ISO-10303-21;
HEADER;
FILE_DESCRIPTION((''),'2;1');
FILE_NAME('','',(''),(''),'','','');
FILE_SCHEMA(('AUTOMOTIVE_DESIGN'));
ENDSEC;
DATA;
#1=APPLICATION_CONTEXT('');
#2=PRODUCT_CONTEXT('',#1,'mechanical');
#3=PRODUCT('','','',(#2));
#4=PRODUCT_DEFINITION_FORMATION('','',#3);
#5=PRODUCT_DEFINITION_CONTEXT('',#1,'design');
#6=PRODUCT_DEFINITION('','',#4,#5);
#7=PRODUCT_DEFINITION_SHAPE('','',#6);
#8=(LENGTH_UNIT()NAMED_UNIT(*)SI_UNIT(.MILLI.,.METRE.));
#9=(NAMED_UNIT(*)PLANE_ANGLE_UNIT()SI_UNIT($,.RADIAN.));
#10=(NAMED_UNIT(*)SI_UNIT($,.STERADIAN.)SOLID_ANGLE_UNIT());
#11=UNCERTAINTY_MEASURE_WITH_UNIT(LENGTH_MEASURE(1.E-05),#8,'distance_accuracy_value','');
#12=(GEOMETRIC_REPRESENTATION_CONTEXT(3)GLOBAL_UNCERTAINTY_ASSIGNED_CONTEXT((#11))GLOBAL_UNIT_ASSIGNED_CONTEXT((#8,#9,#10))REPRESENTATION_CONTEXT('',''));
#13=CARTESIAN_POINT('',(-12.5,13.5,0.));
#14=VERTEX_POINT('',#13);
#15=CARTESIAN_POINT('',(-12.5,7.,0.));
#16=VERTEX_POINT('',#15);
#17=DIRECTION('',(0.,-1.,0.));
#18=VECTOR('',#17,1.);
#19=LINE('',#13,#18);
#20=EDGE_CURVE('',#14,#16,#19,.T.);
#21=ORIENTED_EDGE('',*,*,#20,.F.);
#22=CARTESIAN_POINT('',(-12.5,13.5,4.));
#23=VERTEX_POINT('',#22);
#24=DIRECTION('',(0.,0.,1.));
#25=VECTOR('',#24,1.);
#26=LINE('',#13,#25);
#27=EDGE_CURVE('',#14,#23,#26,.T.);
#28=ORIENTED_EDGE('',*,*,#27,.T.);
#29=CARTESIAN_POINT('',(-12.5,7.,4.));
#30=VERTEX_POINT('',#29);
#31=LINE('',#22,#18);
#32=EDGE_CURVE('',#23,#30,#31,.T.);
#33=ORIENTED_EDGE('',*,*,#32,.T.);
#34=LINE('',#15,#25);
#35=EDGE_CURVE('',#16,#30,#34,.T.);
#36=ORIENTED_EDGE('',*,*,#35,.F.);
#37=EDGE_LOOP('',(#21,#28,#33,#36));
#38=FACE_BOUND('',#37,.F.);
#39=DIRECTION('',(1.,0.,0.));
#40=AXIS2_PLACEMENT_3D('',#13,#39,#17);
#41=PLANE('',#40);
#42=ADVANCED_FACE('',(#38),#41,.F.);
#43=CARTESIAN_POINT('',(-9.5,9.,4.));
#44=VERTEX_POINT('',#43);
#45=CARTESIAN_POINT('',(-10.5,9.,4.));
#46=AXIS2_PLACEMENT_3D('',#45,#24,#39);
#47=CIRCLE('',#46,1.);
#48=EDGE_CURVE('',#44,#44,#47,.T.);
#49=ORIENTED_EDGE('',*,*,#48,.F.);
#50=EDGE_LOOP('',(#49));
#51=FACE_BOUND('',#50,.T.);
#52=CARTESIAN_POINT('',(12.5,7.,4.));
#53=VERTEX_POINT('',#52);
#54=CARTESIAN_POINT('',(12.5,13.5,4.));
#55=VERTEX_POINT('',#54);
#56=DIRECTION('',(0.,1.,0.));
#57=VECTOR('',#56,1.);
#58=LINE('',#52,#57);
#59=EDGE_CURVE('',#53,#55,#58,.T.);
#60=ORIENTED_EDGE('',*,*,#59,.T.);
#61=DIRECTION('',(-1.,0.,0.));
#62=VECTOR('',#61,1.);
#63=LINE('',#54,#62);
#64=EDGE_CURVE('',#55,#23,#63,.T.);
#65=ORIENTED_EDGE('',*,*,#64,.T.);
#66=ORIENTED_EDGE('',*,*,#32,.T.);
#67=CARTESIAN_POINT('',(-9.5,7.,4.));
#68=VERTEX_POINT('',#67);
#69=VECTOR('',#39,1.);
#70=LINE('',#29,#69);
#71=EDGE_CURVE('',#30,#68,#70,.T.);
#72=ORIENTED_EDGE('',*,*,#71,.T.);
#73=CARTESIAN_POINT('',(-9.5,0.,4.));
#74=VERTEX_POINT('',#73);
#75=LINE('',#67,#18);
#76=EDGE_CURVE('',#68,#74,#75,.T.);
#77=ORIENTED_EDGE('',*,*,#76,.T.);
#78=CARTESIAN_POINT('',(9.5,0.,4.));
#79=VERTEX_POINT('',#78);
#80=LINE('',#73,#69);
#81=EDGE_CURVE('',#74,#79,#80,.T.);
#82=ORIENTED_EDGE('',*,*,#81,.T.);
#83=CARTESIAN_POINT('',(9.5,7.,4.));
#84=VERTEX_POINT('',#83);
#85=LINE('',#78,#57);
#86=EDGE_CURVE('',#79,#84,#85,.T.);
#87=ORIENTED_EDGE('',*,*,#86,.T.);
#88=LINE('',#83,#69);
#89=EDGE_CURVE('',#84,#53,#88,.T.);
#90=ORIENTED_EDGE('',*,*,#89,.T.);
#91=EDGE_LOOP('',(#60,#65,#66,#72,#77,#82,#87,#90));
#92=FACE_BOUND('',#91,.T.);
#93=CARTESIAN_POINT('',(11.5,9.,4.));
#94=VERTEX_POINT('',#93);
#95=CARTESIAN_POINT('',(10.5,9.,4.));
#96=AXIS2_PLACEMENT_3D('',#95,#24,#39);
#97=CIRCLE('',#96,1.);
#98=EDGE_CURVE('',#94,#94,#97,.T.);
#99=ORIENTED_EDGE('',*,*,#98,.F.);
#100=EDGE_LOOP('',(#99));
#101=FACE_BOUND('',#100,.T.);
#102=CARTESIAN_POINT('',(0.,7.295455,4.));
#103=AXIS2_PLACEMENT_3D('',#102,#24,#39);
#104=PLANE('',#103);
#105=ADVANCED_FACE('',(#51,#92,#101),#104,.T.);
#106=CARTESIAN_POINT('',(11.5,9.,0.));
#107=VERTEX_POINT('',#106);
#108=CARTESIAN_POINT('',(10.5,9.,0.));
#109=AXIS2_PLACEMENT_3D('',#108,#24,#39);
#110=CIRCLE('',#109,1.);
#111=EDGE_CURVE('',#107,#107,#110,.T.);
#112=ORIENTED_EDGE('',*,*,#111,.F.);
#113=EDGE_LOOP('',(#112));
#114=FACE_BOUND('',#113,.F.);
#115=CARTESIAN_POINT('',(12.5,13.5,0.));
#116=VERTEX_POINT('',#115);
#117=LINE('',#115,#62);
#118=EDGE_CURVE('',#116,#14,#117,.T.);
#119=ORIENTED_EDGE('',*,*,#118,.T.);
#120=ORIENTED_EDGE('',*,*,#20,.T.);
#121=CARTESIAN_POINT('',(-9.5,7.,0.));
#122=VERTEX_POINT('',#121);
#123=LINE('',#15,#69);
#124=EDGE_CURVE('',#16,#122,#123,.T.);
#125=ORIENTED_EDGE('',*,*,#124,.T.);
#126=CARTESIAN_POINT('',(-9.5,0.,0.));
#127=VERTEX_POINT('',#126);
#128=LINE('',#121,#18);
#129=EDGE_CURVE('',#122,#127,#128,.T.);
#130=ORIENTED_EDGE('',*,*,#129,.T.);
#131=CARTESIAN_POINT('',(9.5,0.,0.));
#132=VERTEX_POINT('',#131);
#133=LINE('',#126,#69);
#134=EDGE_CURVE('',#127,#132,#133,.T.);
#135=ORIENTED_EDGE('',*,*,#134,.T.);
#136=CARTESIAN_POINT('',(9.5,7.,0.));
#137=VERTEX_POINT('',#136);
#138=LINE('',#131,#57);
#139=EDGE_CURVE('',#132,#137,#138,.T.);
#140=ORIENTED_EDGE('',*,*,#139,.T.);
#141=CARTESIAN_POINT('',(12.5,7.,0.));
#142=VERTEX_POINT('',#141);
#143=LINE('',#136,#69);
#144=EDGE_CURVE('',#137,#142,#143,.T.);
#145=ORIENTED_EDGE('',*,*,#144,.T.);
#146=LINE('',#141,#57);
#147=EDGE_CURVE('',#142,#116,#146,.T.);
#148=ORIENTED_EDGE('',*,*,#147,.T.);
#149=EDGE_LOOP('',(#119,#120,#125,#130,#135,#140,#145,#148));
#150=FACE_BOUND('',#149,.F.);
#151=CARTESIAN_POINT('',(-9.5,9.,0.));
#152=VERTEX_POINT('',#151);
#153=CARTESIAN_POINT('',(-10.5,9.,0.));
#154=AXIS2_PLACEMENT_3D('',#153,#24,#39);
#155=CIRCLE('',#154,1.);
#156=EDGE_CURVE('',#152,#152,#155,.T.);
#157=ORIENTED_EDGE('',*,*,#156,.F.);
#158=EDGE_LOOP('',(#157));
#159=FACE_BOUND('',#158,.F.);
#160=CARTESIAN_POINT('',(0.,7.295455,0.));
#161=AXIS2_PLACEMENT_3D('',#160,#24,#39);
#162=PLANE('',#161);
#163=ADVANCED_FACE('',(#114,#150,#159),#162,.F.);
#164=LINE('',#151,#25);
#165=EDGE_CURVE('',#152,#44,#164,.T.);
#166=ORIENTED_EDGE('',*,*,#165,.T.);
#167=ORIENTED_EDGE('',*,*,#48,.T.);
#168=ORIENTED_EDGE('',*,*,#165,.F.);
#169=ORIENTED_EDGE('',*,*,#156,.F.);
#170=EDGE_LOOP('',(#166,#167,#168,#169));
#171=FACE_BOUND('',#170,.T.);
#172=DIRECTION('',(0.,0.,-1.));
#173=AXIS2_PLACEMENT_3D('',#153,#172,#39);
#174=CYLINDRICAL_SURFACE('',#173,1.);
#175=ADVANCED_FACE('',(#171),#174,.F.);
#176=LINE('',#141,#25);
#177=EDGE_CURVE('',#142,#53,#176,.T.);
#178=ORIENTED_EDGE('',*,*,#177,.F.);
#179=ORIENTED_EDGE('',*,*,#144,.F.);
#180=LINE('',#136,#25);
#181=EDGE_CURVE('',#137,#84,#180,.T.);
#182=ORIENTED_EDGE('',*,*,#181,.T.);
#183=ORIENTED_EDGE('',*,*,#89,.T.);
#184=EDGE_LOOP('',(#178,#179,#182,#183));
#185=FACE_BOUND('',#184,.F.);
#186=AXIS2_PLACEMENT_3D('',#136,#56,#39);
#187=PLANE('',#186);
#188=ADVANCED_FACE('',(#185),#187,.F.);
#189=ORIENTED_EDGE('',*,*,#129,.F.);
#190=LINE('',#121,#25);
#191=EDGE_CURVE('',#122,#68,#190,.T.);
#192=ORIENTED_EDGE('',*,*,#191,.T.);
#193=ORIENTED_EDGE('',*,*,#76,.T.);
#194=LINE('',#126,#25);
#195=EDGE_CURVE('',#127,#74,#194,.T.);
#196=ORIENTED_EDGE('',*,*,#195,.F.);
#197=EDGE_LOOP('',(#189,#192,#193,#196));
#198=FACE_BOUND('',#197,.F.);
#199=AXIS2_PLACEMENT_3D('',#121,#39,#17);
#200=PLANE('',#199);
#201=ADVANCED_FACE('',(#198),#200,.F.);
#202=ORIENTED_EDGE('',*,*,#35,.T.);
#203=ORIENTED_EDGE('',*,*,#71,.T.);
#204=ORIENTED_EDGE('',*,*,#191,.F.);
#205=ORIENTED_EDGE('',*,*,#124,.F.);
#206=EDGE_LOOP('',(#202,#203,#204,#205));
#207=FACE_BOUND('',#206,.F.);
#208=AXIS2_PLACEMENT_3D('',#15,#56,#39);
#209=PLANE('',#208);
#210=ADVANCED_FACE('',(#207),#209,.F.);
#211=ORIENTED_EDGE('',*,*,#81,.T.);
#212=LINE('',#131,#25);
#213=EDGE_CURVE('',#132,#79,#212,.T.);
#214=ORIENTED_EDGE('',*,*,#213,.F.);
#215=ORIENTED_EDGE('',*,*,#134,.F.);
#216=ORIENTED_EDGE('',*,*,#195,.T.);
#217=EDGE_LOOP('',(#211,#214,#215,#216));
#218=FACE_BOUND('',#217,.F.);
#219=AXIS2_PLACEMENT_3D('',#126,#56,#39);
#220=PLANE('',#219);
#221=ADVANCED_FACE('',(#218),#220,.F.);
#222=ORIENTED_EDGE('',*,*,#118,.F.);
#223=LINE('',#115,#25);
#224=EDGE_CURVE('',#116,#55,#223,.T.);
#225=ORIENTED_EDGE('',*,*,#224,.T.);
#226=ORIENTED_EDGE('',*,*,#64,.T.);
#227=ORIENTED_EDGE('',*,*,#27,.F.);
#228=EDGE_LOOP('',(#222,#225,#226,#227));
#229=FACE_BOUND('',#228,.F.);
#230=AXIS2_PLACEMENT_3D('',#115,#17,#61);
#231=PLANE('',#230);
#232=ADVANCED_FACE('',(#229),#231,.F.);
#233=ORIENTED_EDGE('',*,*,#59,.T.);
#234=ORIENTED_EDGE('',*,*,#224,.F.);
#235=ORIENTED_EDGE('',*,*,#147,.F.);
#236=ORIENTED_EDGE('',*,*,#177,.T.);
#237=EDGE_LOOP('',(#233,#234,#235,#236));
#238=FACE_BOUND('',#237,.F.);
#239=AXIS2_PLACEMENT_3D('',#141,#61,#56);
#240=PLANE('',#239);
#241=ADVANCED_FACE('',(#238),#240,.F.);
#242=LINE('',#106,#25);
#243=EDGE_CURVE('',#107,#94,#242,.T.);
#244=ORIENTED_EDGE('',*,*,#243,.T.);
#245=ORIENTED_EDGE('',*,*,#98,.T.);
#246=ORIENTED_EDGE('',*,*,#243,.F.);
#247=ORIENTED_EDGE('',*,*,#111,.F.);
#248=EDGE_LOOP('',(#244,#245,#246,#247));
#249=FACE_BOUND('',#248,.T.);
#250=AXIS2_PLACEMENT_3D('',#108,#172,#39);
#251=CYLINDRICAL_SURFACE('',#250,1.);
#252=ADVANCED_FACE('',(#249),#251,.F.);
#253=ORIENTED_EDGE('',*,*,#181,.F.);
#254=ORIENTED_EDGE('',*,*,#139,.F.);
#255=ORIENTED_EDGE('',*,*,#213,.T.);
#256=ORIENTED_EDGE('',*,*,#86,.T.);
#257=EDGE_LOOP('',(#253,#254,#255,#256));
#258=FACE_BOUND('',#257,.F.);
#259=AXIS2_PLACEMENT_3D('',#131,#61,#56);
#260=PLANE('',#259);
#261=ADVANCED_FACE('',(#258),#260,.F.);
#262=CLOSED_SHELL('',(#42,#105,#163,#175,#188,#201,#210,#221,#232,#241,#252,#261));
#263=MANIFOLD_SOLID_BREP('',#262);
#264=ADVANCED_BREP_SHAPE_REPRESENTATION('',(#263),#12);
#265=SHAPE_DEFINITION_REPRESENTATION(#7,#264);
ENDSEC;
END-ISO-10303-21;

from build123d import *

# Parameters (mm, degrees)
F0_R     = 1
F1_DEPTH = 4


with BuildPart() as f1:
    # F0 (on Top) → F1 (new body)
    with BuildSketch(Plane.XY):
        Polygon((12.5, 13.5), (0, 13.5), (-12.5, 13.5), (-12.5, 7), (-9.5, 7), (-9.5, 0), (0, 0), (9.5, 0), (9.5, 7), (12.5, 7), align=None)
        with Locations((-10.5, 9)):
            Circle(F0_R, mode=Mode.SUBTRACT)
        with Locations((10.5, 9)):
            Circle(F0_R, mode=Mode.SUBTRACT)
    extrude(amount=F1_DEPTH)


solid = f1.part
